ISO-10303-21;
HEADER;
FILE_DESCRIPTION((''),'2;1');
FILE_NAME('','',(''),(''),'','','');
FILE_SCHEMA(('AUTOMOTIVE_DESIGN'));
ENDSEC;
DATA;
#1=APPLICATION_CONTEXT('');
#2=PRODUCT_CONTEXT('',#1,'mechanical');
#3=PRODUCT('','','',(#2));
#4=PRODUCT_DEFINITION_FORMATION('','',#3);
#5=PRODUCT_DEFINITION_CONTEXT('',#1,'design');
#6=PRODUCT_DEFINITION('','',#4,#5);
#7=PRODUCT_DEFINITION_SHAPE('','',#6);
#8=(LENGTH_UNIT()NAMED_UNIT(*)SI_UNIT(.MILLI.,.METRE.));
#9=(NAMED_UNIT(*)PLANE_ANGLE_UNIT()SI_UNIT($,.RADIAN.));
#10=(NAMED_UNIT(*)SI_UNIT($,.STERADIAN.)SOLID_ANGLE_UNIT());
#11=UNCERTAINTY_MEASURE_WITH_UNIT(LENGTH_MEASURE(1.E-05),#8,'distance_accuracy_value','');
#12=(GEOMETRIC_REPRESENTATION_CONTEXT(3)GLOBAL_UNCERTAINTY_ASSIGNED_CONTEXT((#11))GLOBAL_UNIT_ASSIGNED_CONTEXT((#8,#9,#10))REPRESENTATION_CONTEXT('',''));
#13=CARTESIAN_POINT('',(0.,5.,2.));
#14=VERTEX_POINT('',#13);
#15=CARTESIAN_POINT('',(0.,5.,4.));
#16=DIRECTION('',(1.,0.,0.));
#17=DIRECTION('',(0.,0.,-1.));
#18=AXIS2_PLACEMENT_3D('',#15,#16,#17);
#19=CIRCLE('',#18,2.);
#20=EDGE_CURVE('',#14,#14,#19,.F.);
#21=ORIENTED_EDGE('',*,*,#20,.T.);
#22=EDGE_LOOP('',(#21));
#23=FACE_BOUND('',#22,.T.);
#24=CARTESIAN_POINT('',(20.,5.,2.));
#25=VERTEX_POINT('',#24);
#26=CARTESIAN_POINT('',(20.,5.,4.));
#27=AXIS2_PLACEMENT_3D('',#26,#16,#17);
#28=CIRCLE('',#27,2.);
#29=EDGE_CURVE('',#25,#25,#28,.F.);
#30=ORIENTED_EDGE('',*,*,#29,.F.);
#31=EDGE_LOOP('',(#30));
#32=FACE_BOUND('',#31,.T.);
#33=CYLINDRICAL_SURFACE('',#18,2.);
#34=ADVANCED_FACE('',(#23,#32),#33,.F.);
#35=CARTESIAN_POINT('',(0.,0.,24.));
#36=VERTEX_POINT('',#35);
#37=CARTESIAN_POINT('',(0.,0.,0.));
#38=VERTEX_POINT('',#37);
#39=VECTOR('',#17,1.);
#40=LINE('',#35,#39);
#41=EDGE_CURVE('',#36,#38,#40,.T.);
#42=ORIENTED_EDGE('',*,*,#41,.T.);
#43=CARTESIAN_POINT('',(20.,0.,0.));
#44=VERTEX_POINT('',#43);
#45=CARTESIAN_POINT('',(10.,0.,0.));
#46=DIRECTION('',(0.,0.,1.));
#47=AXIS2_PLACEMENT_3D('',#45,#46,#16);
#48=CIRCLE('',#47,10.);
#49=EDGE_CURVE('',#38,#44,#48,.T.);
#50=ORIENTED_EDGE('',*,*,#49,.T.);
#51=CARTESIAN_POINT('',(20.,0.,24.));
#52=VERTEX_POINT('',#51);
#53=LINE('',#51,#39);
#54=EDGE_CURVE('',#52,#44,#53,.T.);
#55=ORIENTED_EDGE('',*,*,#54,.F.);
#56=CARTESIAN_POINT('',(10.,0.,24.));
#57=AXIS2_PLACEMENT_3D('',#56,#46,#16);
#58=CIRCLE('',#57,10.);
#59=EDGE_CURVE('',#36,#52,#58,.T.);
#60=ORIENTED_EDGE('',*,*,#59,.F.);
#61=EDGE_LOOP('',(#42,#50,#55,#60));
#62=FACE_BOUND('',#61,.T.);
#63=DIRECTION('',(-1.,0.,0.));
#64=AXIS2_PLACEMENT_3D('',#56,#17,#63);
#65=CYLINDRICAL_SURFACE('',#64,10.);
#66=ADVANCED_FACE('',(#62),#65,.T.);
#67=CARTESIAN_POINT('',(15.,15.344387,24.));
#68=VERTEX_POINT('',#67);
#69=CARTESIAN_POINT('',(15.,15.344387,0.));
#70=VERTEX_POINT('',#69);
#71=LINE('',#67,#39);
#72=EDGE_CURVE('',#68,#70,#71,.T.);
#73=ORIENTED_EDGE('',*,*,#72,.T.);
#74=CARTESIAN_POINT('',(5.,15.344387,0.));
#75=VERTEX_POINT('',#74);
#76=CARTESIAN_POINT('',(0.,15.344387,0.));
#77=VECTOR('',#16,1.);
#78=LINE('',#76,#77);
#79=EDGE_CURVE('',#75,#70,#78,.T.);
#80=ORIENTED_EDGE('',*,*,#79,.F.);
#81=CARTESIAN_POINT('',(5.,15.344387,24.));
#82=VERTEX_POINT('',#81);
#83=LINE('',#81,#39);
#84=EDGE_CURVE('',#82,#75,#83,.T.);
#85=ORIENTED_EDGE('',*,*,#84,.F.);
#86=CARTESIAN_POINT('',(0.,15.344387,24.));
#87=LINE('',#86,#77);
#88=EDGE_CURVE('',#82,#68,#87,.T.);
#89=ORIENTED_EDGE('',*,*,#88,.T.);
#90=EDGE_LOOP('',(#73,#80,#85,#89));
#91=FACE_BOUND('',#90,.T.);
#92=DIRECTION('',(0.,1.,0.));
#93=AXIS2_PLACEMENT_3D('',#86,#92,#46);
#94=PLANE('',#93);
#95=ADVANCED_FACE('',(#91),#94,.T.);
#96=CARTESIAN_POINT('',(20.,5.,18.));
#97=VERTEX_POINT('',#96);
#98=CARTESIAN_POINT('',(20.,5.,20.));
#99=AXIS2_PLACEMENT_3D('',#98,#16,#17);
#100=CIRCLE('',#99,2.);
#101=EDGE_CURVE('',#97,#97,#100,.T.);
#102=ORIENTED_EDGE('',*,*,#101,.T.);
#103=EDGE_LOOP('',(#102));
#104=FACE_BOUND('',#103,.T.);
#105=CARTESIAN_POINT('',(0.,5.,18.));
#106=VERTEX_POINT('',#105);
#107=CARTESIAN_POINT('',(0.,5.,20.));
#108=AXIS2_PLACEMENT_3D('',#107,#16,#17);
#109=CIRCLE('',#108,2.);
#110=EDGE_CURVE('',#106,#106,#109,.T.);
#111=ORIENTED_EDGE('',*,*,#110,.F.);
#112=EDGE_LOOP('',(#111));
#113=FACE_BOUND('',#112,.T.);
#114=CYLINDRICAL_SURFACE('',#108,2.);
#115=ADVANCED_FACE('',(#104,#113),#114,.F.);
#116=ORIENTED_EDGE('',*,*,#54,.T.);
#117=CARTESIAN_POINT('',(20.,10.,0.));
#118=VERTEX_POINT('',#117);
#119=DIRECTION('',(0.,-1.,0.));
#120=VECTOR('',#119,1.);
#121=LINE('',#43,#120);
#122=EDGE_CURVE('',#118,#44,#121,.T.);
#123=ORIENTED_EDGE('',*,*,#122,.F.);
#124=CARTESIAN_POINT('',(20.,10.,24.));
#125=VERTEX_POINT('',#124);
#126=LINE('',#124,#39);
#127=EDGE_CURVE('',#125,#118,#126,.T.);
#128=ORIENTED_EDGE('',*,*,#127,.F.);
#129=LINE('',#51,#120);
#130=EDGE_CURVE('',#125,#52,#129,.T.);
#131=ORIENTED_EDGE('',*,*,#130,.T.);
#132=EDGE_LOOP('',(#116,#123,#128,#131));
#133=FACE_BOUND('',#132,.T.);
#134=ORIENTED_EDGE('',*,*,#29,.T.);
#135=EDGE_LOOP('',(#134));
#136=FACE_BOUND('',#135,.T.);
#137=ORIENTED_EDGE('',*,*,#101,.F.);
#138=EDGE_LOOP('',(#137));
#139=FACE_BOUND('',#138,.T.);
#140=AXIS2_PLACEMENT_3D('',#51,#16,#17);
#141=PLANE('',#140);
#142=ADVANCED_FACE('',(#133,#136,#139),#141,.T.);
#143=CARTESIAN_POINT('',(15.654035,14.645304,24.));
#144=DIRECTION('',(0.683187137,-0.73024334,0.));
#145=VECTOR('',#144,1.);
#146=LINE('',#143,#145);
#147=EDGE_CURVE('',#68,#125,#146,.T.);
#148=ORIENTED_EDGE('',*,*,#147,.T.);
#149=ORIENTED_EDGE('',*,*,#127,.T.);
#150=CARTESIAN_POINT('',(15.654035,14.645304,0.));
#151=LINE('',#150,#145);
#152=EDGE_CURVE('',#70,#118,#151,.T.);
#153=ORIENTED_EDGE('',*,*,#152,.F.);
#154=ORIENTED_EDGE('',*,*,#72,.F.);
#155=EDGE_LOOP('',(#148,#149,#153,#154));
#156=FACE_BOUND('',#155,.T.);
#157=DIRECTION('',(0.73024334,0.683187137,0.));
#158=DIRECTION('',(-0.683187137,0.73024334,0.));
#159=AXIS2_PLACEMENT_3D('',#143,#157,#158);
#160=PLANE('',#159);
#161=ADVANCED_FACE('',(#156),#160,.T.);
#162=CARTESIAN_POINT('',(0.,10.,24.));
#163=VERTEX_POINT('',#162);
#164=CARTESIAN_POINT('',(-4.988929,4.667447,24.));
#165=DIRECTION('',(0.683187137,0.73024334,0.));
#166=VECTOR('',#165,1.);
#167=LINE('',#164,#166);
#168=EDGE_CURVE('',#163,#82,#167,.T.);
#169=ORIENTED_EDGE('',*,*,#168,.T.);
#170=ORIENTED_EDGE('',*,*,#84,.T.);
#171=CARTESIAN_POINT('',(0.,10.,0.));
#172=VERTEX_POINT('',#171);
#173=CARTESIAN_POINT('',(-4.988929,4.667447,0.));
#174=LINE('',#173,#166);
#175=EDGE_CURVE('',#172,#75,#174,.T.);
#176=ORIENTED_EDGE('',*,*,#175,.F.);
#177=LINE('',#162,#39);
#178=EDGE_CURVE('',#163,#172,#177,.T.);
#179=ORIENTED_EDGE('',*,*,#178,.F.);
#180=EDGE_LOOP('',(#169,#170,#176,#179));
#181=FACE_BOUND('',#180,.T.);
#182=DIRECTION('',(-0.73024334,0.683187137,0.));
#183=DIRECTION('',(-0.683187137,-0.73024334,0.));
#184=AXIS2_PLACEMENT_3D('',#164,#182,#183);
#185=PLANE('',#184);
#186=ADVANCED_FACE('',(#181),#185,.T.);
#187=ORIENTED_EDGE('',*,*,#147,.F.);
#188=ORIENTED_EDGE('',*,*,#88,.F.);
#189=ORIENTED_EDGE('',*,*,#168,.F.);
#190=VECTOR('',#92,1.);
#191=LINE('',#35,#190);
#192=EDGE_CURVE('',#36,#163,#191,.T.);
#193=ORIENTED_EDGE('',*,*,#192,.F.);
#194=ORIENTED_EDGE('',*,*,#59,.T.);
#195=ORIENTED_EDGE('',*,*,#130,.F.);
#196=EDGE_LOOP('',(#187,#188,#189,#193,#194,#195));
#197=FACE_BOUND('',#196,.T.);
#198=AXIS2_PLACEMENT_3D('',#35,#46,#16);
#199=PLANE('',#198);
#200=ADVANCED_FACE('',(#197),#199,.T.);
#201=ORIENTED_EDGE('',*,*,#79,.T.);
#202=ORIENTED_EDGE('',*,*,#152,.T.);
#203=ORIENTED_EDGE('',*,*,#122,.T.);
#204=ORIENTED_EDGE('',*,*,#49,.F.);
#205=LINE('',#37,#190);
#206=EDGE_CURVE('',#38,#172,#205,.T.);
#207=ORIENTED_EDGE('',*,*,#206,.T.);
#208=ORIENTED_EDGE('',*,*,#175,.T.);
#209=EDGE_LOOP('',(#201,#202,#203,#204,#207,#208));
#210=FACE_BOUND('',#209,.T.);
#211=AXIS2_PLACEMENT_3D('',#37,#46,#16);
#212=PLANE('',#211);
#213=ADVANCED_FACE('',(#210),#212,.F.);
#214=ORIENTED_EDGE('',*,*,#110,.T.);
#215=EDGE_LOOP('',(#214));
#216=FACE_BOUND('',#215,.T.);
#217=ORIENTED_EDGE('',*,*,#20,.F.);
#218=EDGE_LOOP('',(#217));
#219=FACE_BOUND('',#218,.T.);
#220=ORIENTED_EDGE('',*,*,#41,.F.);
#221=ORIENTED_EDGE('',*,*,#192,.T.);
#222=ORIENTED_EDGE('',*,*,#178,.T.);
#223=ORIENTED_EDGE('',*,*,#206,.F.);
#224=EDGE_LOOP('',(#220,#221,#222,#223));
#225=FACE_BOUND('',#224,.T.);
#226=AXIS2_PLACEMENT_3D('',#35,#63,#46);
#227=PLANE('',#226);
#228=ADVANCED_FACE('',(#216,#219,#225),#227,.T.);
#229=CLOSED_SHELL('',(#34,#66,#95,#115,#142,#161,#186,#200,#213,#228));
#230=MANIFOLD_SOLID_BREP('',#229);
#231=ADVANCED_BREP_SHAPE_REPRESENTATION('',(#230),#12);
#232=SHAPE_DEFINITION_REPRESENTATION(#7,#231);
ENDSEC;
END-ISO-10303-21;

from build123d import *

# Parameters (mm, degrees)
EXTRUDE_3_DEPTH          = 24
CUT_EXTRUDE_1_DEPTH      = 35.805893516
CUT_EXTRUDE_1_DEPTH_BACK = 35.805893516
SKETCH_4_R               = 2


with BuildPart() as part:
    # 草图1 → 凸台-拉伸3 (new body)
    with BuildSketch(Plane.XY):
        with BuildLine():
            Line((0, 10), (0, 0))
            ThreePointArc((0, 0), (2.928932188, 7.071067812), (10, 10))
            Line((10, 10), (10, 15.34438736))
            Line((10, 15.34438736), (5, 15.34438736))
            Line((5, 15.34438736), (0, 10))
        make_face()
        with BuildLine():
            ThreePointArc((10, 10), (17.071067812, 7.071067812), (20, 0))
            Line((20, 0), (20, 10))
            Line((20, 10), (15, 15.34438736))
            Line((15, 15.34438736), (10, 15.34438736))
            Line((10, 15.34438736), (10, 10))
        make_face()
        with BuildLine():
            ThreePointArc((10, 10), (2.928932188, 7.071067812), (0, 0))
            Line((0, 0), (10, 0))
            Line((10, 0), (10, 10))
        make_face()
        with BuildLine():
            Line((10, 10), (10, 0))
            Line((10, 0), (20, 0))
            ThreePointArc((20, 0), (17.071067812, 7.071067812), (10, 10))
        make_face()
        with BuildLine():
            Line((10, 0), (0, 0))
            ThreePointArc((0, 0), (10, -10), (20, 0))
            Line((20, 0), (10, 0))
        make_face()
    extrude(amount=EXTRUDE_3_DEPTH)

    # 草图4 → 切除-拉伸1 (cut, two sides: drawn at the far end of the back side and taken through both)
    with BuildSketch(Plane(origin=(20, 0, 0), x_dir=(0, 0, -1), z_dir=(1, 0, 0)).offset(-CUT_EXTRUDE_1_DEPTH_BACK)):
        with Locations((-20, 5)):
            Circle(SKETCH_4_R)
        with Locations((-4, 5)):
            Circle(SKETCH_4_R)
    extrude(amount=CUT_EXTRUDE_1_DEPTH + CUT_EXTRUDE_1_DEPTH_BACK, mode=Mode.SUBTRACT)


solid = part.part
